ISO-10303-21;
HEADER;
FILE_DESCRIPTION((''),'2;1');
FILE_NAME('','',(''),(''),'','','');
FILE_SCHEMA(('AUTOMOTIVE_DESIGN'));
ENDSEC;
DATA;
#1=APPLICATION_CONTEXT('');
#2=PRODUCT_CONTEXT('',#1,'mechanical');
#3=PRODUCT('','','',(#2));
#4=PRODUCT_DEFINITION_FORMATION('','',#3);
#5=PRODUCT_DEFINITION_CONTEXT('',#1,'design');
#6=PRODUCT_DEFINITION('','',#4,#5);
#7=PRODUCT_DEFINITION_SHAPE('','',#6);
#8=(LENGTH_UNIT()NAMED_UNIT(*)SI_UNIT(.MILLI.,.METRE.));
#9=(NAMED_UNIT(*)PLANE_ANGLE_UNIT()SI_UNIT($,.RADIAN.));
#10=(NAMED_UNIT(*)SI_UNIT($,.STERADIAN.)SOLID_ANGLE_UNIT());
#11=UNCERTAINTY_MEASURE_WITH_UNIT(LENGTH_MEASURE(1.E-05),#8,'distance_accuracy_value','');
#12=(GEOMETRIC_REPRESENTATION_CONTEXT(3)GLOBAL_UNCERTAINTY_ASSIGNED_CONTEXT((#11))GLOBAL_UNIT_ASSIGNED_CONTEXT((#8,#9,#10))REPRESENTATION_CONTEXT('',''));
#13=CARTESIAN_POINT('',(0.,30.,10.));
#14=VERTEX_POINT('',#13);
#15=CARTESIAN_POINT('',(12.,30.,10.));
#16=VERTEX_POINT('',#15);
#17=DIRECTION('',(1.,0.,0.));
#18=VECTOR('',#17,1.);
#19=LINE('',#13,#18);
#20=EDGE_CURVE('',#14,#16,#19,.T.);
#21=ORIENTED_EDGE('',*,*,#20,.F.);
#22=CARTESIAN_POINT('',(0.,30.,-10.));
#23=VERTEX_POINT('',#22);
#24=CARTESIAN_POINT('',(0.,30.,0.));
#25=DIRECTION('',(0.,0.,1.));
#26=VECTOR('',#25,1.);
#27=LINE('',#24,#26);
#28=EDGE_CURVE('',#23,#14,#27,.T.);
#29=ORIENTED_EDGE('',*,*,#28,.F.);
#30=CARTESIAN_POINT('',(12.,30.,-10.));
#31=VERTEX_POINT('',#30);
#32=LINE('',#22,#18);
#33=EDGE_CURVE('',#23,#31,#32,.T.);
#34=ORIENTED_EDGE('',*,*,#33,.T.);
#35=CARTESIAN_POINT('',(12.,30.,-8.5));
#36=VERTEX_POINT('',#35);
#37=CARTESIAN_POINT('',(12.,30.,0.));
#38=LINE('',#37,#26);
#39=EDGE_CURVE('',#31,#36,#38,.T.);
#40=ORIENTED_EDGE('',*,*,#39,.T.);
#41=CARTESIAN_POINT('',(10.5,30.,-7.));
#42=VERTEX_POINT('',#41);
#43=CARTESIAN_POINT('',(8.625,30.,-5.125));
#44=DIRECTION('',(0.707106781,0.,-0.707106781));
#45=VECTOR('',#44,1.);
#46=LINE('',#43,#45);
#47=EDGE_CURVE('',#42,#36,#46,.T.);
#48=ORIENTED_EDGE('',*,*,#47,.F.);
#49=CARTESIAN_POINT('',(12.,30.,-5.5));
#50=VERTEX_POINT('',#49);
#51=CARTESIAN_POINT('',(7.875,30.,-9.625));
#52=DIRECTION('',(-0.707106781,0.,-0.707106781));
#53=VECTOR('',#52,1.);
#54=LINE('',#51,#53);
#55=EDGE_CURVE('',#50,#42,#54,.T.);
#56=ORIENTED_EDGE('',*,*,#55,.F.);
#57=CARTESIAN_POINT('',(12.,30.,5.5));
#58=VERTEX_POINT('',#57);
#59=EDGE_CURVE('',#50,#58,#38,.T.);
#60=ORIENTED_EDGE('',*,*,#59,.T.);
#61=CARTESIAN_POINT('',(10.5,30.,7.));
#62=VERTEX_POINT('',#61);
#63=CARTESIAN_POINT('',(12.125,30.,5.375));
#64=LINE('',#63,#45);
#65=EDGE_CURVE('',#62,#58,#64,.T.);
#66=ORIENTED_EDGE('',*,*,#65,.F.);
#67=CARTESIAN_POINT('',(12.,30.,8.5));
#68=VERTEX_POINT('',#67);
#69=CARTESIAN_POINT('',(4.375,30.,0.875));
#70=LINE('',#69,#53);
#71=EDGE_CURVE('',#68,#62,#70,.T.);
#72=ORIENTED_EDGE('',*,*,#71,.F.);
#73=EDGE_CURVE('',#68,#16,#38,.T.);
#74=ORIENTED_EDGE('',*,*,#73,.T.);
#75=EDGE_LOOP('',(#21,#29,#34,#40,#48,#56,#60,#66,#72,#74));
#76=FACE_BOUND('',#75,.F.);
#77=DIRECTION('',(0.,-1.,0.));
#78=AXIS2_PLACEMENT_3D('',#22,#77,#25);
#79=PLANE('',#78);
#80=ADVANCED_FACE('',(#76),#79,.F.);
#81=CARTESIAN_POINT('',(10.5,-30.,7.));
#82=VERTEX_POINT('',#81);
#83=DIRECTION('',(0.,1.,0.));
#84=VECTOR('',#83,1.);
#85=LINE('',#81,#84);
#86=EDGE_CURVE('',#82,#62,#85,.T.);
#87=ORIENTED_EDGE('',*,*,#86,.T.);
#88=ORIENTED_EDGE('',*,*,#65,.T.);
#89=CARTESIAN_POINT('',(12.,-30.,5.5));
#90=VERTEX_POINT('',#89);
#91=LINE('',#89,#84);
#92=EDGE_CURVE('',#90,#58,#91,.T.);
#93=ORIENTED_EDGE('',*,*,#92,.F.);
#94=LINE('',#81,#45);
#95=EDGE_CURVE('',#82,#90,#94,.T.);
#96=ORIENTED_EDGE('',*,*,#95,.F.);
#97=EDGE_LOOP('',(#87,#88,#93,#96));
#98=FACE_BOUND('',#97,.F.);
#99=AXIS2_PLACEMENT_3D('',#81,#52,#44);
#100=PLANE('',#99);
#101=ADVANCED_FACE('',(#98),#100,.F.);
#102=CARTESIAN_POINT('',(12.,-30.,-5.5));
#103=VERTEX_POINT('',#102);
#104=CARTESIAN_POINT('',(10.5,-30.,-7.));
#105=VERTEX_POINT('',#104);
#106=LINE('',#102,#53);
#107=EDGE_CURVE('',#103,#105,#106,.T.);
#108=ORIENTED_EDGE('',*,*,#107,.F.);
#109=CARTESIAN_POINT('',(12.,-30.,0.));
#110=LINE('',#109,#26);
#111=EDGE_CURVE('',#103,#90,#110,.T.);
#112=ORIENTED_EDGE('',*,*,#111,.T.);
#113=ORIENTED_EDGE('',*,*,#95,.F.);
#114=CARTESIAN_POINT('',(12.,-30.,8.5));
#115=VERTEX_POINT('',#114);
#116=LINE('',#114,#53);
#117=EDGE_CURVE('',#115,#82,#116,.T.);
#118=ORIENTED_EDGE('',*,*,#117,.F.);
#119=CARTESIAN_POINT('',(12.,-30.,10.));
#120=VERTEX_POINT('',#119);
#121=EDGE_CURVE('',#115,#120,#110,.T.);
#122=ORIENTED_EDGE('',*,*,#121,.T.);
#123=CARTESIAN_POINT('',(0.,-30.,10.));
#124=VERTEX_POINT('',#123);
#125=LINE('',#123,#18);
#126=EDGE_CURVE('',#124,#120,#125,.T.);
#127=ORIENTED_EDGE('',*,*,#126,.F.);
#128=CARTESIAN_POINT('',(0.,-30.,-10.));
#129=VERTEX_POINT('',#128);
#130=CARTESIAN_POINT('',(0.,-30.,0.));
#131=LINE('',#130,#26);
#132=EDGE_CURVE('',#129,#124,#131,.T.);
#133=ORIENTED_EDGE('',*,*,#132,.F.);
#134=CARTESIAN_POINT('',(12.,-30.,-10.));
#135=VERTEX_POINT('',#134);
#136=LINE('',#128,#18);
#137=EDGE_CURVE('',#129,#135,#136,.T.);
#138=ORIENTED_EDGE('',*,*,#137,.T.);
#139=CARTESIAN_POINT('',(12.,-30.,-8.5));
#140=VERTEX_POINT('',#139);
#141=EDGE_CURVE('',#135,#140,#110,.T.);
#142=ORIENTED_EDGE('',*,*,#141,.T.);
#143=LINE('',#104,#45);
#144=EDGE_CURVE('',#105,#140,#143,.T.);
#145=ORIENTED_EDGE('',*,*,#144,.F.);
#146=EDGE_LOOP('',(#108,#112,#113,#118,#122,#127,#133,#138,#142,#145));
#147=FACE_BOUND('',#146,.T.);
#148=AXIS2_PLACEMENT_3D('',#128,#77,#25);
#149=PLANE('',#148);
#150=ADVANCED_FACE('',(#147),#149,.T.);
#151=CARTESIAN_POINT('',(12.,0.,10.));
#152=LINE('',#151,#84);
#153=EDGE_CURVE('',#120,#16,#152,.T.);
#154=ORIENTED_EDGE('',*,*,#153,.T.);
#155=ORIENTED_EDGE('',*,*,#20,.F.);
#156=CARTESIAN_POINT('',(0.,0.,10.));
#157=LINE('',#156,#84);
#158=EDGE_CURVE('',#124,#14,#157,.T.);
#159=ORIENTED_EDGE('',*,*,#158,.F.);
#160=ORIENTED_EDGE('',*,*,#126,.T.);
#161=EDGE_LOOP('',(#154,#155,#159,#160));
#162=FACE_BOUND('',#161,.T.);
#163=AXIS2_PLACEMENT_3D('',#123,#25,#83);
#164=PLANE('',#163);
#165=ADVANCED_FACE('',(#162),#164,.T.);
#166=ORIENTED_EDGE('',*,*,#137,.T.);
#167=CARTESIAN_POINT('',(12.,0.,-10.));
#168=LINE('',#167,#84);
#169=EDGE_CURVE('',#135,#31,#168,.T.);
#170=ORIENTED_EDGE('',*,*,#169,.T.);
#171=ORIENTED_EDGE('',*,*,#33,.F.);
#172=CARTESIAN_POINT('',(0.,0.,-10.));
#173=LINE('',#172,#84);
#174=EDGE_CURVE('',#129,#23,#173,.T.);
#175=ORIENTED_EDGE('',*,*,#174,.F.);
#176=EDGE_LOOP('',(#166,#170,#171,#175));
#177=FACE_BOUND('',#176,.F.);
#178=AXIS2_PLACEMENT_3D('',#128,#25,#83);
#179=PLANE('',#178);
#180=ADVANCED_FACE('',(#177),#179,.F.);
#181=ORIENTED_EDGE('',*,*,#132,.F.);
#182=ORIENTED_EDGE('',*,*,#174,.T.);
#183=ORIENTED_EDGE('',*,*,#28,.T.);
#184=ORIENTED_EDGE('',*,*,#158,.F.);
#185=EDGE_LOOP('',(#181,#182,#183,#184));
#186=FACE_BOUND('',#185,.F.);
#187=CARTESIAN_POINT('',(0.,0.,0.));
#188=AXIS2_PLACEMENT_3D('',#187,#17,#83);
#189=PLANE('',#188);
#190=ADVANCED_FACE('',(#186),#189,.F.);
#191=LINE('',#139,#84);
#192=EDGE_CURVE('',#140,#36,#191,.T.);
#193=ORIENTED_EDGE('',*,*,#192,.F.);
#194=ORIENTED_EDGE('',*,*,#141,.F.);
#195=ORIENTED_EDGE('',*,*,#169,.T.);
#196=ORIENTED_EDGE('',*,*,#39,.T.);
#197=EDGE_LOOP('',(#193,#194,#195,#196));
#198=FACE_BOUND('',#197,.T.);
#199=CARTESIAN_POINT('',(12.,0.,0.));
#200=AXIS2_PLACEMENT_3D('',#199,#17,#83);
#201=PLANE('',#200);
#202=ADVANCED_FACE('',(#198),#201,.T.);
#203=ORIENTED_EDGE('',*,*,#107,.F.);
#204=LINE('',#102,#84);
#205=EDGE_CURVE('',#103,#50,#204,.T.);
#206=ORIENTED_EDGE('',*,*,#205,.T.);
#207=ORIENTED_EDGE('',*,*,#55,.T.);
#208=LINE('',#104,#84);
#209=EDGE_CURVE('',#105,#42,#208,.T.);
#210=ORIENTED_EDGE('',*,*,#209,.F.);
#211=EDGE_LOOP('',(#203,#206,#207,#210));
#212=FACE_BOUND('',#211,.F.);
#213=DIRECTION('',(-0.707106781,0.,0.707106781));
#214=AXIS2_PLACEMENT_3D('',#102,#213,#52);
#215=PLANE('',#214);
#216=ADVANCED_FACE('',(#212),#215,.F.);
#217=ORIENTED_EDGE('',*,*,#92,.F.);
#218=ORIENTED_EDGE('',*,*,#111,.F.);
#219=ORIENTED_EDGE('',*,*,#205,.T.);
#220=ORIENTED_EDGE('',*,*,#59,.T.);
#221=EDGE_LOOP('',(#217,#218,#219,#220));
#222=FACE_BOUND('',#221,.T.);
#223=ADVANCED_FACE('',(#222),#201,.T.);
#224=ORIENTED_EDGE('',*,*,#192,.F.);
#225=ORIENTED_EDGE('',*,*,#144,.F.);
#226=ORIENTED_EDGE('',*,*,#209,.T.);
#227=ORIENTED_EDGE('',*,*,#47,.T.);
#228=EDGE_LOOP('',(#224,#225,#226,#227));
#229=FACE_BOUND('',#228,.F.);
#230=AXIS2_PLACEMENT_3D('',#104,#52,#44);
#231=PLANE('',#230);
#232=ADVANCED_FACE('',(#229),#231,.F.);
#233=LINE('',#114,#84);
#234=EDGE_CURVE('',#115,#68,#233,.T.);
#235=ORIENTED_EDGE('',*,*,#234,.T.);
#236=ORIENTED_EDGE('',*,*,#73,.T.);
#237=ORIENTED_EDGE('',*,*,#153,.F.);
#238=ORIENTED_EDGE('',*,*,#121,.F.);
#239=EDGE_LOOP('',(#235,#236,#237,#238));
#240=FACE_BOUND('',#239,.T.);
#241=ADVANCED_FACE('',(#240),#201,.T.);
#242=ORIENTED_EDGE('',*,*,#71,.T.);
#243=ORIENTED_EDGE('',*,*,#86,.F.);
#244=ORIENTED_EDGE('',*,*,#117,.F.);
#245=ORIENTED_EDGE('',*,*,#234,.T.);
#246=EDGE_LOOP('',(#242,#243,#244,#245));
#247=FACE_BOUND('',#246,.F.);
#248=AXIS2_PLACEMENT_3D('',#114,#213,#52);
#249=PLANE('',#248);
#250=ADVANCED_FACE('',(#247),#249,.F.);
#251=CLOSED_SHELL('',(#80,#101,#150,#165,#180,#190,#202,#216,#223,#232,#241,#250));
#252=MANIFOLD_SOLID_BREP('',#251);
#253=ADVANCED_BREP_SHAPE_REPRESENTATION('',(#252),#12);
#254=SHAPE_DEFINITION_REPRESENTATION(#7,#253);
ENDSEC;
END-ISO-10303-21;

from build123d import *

# Parameters (mm, degrees)
F0_W     = 60
F0_H     = 20
F1_DEPTH = 12
F3_DEPTH = 60.001


with BuildPart() as f1:
    # F0 (on Right) → F1 (new body)
    with BuildSketch(Plane.YZ):
        Rectangle(F0_W, F0_H)
    extrude(amount=F1_DEPTH)

    # F2 (on face) → F3 (cut, through all)
    with BuildSketch(Plane.XZ.offset(30)):
        Polygon((12, 8.5), (10.5, 7), (12, 5.5), align=None)
        Polygon((12, -8.5), (12, -5.5), (10.5, -7), align=None)
    extrude(amount=-F3_DEPTH, mode=Mode.SUBTRACT)


solid = f1.part
